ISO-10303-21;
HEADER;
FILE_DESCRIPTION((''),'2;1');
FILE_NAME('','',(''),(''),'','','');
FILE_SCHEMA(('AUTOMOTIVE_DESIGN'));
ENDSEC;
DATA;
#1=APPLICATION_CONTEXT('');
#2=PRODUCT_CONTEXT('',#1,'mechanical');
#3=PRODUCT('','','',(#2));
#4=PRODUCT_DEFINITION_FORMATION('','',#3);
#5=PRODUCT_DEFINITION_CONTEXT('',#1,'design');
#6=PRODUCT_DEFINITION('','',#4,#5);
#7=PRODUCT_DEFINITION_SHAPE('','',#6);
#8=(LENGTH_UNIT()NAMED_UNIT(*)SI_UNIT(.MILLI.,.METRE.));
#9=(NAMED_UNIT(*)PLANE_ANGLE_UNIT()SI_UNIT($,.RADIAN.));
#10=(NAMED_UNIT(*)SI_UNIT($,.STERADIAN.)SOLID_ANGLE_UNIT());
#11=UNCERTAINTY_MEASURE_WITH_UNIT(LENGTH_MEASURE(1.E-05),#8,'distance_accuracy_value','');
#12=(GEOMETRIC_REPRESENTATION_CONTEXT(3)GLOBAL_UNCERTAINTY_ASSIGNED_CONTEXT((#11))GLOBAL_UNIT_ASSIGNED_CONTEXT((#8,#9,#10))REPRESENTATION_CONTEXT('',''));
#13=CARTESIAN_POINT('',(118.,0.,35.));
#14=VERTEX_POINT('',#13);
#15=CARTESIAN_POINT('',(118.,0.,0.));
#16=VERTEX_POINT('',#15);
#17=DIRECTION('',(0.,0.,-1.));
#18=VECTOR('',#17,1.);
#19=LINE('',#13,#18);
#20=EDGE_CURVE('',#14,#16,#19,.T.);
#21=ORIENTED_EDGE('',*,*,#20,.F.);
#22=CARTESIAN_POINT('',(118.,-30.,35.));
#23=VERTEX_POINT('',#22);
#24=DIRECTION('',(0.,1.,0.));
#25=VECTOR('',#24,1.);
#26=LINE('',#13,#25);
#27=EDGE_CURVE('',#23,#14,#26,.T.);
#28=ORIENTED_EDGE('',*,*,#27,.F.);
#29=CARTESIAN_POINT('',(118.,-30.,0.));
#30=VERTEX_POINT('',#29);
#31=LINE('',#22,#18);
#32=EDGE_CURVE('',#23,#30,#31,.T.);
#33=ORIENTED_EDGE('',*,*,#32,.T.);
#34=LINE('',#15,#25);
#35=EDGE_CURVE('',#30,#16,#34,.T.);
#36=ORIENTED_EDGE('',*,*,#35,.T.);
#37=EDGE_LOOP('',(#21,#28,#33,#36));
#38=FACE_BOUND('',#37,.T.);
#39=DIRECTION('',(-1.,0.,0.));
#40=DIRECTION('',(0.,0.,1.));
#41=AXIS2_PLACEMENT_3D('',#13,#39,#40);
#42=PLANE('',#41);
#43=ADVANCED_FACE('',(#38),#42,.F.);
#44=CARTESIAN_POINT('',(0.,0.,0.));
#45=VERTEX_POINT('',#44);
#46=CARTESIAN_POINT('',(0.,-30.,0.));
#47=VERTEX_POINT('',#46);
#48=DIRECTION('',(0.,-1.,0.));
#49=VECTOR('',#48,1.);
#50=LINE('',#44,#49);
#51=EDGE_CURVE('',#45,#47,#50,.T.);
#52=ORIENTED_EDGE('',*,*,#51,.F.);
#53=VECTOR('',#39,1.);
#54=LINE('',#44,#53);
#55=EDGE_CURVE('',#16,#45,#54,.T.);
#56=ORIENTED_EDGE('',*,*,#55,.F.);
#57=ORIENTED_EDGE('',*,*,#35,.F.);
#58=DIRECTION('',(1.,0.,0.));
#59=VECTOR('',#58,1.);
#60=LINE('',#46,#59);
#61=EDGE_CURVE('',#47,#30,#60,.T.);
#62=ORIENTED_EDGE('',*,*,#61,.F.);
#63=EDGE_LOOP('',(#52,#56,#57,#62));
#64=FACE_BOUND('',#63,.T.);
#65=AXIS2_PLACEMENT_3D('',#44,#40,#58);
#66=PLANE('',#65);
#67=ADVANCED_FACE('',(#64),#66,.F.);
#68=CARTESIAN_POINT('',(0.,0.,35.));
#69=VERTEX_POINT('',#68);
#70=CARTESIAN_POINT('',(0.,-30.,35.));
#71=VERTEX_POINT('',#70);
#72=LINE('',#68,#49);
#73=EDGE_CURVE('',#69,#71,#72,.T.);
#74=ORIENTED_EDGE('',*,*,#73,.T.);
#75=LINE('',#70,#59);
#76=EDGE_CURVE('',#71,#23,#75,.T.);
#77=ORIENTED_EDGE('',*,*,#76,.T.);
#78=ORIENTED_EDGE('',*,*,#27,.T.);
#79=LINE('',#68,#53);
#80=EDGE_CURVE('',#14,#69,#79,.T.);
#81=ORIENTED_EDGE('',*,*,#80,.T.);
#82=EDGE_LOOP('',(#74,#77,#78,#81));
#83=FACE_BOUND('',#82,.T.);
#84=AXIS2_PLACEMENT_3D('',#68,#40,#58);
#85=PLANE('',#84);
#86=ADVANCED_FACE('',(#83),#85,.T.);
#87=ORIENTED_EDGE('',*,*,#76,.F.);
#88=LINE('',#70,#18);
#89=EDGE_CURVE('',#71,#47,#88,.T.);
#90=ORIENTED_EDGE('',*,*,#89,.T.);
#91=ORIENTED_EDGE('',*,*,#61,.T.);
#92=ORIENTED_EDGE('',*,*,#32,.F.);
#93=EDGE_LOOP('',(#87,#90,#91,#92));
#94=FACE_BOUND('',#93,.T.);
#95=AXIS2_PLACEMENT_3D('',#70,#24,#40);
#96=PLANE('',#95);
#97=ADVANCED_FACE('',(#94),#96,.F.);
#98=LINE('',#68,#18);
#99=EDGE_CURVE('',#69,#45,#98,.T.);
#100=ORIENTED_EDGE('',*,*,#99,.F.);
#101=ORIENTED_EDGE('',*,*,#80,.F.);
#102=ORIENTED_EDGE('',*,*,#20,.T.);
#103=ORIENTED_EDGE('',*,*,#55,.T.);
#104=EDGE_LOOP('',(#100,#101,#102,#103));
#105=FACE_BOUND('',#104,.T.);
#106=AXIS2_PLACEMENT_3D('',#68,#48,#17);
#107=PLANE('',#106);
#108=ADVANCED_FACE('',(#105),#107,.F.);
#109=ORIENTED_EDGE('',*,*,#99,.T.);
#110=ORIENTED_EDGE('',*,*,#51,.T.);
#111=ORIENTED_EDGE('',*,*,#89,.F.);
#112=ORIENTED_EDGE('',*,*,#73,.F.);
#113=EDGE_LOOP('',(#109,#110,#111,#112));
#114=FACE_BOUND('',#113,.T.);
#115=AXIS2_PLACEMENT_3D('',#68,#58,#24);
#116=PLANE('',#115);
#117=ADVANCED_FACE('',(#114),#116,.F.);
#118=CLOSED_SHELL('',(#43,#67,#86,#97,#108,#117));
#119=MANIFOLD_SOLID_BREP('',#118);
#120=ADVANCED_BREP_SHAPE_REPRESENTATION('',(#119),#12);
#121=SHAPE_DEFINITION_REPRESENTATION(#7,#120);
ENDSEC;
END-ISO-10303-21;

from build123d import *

# Parameters (mm, degrees)
SKETCH_1_W      = 118
SKETCH_1_H      = 30
EXTRUDE_1_DEPTH = 35


with BuildPart() as part:
    # 草图1 → 凸台-拉伸1 (new body)
    with BuildSketch(Plane.XY):
        with Locations((59, -15)):
            Rectangle(SKETCH_1_W, SKETCH_1_H)
    extrude(amount=EXTRUDE_1_DEPTH)


solid = part.part
